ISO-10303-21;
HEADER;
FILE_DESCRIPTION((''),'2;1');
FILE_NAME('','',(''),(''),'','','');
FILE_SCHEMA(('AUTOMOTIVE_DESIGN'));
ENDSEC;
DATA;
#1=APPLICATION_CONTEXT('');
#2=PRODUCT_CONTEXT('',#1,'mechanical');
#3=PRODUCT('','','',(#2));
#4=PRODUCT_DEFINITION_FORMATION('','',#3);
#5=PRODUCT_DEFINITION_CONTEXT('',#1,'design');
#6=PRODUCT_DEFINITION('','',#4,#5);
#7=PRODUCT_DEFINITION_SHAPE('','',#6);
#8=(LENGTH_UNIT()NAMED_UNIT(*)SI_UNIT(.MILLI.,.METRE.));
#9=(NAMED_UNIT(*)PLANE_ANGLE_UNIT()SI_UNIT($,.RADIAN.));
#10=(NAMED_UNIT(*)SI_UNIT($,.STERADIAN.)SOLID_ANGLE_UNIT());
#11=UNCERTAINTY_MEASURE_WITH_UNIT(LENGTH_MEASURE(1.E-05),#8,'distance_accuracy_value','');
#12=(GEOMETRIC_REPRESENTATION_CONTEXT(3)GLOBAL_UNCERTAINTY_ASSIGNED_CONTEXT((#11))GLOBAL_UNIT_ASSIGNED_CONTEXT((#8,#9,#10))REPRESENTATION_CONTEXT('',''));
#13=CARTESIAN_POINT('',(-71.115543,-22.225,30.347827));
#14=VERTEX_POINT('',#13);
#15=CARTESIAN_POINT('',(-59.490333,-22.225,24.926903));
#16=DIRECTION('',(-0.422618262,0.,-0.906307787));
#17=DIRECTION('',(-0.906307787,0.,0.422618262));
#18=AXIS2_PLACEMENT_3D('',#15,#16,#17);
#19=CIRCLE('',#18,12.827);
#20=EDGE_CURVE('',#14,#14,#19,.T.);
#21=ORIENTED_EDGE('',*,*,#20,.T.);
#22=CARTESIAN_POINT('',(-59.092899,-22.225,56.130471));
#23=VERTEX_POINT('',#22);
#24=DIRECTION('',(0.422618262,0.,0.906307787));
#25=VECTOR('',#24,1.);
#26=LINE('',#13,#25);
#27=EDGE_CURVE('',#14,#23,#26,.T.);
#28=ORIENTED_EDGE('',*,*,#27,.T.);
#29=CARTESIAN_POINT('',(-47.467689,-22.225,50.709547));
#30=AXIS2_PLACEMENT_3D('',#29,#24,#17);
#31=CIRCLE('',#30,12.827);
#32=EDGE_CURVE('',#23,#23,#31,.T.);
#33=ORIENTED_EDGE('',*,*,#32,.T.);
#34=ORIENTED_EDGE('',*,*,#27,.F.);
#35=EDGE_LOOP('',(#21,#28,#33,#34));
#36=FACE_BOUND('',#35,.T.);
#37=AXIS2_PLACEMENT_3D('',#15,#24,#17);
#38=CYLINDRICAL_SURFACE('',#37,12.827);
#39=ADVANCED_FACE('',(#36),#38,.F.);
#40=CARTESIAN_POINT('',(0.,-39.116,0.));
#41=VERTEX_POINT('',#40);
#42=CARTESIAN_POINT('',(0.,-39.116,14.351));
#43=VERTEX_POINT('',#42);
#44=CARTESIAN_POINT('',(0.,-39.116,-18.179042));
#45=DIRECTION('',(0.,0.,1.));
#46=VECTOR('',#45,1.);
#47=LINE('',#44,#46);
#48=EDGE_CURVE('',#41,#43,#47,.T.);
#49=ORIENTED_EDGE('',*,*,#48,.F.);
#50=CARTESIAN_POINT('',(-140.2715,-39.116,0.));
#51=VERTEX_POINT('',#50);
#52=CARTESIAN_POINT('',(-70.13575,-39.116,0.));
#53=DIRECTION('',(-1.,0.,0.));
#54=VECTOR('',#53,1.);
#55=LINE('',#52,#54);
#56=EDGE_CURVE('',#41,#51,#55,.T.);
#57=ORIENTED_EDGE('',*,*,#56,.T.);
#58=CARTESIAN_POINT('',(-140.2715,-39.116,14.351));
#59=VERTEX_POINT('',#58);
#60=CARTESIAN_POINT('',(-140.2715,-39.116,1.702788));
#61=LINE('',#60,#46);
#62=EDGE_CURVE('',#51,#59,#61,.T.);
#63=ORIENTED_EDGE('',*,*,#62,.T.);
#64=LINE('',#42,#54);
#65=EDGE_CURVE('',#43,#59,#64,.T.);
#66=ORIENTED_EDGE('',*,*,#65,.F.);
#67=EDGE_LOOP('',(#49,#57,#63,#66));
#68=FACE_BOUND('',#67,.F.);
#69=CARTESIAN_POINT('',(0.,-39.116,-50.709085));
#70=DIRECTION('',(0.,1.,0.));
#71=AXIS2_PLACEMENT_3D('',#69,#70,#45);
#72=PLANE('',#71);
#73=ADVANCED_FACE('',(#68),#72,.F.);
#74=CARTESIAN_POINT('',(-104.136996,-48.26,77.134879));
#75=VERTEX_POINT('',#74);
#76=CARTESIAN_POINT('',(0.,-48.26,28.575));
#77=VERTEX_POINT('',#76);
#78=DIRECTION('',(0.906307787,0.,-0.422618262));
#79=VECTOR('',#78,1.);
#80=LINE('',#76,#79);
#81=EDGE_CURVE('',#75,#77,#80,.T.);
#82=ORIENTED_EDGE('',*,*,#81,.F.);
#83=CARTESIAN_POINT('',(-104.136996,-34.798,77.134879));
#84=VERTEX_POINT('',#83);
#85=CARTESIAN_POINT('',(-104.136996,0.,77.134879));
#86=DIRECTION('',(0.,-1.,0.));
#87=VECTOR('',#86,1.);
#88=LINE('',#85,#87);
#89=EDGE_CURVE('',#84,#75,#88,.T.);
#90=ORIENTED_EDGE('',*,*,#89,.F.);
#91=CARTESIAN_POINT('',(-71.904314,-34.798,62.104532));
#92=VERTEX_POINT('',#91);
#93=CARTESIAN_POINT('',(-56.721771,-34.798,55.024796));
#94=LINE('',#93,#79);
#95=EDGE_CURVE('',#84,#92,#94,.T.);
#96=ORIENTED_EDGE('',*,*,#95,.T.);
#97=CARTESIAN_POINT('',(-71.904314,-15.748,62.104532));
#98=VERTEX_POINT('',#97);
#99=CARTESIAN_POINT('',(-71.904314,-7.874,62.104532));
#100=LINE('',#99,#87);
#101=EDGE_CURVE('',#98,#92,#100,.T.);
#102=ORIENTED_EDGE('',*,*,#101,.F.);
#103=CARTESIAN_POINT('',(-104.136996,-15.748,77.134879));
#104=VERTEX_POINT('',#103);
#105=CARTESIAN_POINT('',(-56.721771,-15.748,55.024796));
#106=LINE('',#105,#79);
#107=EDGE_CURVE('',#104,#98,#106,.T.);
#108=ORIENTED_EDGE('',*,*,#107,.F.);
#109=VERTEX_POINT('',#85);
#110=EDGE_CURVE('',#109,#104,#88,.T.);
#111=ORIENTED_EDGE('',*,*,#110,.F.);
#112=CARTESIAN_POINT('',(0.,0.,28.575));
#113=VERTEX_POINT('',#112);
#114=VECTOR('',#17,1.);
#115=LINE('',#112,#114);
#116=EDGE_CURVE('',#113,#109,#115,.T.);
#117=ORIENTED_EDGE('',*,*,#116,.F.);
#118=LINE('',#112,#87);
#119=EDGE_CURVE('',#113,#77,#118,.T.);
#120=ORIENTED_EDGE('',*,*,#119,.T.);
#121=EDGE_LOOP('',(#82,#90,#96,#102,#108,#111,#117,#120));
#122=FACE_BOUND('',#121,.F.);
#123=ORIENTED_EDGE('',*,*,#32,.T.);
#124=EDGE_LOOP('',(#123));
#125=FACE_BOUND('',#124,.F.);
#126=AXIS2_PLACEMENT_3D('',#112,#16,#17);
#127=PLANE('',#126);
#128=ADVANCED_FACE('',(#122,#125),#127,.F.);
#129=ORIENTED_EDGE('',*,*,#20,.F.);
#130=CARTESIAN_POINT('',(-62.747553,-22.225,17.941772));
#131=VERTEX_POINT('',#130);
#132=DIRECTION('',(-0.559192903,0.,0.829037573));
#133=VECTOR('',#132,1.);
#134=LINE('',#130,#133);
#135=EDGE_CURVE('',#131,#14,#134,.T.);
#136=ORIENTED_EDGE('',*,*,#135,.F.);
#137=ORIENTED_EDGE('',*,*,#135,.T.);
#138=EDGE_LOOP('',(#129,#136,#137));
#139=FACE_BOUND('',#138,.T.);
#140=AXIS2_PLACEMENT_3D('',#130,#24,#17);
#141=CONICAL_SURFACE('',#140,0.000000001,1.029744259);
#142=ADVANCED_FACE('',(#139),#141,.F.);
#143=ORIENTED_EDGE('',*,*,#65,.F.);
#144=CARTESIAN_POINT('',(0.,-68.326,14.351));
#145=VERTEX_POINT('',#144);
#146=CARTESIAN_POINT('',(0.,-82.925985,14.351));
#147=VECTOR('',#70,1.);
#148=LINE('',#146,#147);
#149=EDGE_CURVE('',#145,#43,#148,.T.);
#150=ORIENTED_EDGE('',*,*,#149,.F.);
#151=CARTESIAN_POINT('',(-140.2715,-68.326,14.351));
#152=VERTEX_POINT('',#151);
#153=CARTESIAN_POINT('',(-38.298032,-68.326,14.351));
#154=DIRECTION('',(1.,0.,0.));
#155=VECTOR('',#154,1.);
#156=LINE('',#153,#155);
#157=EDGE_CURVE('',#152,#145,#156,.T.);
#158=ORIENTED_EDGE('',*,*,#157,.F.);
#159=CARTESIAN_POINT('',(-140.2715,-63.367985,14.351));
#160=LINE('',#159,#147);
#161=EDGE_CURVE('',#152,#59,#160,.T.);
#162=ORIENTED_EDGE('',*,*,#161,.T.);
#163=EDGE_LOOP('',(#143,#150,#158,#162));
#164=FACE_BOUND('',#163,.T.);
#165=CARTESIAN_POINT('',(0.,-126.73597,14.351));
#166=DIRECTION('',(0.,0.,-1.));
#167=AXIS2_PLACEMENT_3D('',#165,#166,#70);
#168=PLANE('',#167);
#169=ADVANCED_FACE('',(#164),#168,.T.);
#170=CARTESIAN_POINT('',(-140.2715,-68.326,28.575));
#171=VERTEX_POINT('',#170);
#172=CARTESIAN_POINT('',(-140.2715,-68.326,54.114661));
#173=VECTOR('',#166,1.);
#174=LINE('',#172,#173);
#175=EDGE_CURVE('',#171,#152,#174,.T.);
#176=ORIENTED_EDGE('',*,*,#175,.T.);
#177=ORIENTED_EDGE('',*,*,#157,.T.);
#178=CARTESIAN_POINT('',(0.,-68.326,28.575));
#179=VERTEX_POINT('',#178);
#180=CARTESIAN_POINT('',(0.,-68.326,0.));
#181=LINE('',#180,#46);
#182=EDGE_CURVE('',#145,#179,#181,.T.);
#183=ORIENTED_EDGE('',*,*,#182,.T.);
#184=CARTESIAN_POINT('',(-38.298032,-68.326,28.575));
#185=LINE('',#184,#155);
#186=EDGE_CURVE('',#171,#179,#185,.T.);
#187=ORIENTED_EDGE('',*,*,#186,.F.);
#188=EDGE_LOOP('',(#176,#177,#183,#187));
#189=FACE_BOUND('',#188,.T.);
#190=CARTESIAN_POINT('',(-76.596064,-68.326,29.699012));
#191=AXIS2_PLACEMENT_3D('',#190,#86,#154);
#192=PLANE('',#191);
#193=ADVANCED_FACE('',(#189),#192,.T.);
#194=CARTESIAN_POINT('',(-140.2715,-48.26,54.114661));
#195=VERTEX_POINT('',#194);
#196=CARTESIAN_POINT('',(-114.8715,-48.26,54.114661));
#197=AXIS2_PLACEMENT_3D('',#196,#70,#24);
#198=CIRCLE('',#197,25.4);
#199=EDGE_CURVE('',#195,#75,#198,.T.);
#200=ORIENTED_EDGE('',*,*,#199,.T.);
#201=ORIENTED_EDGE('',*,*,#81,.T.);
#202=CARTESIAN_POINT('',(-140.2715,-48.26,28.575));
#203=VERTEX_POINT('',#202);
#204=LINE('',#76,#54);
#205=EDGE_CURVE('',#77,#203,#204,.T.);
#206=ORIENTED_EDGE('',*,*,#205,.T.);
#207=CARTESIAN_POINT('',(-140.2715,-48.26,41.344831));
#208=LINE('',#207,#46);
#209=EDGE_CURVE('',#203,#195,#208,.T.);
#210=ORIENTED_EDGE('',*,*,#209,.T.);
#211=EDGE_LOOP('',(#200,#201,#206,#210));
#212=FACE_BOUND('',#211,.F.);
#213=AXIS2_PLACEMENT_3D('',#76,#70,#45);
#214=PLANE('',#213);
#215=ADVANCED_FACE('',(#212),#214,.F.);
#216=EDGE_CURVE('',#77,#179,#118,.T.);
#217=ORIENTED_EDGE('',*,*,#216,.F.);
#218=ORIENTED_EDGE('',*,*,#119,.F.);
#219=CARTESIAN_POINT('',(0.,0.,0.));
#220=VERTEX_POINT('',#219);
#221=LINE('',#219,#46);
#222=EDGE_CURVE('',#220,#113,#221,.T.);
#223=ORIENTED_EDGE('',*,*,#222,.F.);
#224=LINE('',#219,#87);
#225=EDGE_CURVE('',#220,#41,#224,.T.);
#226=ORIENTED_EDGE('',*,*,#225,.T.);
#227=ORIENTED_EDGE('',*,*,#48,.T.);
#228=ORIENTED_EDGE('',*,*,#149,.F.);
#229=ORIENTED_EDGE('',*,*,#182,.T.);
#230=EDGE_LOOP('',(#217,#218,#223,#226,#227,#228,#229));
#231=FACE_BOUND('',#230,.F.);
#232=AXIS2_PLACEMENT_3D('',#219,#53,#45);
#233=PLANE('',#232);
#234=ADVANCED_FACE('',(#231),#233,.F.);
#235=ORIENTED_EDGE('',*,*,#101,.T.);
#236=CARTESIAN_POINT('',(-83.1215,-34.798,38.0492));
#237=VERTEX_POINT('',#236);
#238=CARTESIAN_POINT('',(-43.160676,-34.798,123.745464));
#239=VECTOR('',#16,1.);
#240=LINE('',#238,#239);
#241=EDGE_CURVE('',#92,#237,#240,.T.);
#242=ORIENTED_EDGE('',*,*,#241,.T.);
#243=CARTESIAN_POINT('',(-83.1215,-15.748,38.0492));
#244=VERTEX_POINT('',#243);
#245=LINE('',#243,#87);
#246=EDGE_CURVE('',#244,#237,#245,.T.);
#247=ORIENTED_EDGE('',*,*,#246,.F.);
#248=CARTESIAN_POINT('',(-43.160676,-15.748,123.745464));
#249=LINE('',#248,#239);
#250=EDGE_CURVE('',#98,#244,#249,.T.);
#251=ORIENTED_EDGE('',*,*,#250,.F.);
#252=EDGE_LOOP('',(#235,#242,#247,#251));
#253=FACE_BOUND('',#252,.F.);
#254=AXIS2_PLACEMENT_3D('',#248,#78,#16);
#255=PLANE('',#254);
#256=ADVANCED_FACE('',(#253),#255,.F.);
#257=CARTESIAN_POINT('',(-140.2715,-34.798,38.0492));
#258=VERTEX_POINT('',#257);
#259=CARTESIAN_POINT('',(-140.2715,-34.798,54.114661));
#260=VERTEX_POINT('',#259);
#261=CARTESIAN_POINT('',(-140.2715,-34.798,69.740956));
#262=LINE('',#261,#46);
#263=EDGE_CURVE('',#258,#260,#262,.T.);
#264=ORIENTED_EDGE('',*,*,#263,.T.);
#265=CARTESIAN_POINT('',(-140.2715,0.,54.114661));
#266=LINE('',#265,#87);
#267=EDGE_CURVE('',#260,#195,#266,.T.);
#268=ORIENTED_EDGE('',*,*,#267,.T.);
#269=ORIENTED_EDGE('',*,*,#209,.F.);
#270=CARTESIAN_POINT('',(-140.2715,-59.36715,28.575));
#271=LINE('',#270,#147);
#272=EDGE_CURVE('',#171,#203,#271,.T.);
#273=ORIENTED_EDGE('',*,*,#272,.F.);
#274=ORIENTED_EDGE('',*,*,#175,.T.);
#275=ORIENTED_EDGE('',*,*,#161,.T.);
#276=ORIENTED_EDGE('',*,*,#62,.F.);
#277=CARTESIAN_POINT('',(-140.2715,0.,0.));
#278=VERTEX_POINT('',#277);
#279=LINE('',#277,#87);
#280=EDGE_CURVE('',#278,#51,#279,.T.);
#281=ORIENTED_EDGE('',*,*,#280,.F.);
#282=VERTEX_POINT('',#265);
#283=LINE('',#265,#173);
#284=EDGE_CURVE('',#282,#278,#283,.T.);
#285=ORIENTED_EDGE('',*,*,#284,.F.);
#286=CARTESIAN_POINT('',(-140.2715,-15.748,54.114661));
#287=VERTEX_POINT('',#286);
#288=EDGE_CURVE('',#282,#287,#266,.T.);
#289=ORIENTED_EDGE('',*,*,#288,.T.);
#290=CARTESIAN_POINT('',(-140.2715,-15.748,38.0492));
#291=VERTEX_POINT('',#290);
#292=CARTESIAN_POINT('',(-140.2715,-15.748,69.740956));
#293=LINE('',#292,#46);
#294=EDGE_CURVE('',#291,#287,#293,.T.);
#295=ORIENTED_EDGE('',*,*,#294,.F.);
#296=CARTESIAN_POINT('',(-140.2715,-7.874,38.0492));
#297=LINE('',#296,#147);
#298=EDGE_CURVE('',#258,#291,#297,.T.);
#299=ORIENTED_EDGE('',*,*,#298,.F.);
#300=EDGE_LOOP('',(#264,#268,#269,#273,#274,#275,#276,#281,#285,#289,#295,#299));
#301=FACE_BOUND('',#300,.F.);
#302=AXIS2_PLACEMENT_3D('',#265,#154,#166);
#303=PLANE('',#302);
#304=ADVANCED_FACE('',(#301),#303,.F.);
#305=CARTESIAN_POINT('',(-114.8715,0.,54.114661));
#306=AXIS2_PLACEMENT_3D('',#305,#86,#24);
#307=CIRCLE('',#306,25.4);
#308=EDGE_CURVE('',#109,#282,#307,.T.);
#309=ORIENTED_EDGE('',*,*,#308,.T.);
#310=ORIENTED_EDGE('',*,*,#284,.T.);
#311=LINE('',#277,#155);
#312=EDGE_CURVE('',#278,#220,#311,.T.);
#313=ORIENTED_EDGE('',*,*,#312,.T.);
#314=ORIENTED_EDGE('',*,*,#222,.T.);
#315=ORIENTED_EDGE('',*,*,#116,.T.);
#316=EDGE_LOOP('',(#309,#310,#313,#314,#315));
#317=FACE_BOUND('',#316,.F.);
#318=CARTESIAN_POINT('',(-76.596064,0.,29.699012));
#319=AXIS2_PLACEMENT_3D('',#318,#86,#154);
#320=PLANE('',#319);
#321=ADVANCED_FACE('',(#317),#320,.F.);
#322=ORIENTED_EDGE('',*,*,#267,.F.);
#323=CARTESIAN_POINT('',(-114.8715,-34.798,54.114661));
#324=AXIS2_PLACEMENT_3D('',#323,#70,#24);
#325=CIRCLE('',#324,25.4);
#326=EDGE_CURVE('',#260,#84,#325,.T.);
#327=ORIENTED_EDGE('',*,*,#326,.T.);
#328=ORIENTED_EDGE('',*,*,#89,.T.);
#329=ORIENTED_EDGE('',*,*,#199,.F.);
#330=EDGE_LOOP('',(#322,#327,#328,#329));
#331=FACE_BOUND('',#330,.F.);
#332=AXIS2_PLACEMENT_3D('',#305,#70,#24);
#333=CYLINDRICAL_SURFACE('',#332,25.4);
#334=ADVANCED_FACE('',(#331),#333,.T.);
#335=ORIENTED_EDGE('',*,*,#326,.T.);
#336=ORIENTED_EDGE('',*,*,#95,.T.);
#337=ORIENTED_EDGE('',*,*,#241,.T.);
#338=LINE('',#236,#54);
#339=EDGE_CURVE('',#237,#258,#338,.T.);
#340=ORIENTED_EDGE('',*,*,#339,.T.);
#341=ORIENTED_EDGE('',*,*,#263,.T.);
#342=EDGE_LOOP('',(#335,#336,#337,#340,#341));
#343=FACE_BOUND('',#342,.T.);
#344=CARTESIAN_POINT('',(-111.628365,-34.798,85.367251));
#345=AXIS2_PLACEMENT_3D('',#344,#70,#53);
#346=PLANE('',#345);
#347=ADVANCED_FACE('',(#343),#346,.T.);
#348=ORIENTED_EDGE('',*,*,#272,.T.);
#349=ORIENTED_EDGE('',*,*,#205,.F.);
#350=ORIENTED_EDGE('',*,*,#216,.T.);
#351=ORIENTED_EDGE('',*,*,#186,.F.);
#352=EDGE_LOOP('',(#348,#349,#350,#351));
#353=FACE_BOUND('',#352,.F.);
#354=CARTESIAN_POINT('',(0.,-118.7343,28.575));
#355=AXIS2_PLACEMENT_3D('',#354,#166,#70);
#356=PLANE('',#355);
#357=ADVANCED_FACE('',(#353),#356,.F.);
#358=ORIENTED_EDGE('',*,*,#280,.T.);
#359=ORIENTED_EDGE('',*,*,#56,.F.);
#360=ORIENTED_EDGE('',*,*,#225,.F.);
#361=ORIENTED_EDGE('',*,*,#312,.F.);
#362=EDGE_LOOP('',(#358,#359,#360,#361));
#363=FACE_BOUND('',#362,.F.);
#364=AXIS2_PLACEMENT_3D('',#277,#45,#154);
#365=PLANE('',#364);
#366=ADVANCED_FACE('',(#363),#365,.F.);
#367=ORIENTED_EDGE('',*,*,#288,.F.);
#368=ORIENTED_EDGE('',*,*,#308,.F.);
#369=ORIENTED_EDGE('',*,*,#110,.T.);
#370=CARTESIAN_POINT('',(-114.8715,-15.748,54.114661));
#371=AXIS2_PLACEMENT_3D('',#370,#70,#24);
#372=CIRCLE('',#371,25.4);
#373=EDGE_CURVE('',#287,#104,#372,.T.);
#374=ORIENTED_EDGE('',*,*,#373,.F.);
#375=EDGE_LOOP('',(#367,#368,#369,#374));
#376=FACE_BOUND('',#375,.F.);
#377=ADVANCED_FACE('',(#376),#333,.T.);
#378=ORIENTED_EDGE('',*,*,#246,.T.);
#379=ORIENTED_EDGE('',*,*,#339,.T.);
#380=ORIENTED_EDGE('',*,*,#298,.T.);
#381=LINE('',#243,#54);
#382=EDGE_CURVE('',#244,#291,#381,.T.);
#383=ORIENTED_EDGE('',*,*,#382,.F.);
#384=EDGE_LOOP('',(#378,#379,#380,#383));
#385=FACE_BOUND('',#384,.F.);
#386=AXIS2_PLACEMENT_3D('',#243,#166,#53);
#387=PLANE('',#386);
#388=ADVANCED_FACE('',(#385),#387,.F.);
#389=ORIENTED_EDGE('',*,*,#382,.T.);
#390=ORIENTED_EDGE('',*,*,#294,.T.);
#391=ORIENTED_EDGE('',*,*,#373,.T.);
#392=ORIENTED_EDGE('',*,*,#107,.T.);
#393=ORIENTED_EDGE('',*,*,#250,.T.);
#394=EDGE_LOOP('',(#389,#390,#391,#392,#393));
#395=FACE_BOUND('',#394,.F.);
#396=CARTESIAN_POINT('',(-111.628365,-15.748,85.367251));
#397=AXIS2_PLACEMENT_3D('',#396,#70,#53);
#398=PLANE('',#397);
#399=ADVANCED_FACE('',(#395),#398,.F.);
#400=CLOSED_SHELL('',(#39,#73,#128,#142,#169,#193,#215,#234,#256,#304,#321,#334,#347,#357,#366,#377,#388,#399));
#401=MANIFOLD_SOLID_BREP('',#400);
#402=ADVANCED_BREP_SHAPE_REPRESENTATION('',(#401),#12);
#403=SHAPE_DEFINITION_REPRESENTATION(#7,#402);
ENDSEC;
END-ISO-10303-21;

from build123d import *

# Parameters (mm, degrees)
F1_DEPTH = 68.326
F2_W     = 87.6199703779
F2_H     = 65.060084963
F2_W_2   = 70.4743001366
F2_H_2   = 87.6017467856
F3_DEPTH = 140.2725
F9_DEPTH = 19.05


with BuildPart() as f1:
    # F0 (on Front) → F1 (new body)
    with BuildSketch(Plane.XZ):
        with BuildLine():
            Line((-140.2715, 0), (0, 0))
            Line((0, 0), (0, 28.575))
            Line((0, 28.575), (-104.1369961518, 77.1348788028))
            ThreePointArc((-104.1369961518, 77.1348788028), (-128.518910052, 75.5368037358), (-140.2715, 54.1146610121))
            Line((-140.2715, 54.1146610121), (-140.2715, 0))
        make_face()
    extrude(amount=F1_DEPTH)

    # F2 (on Right) → F3 (cut, through all)
    with BuildSketch(Plane.YZ):
        with Locations((-82.925985189, -18.1790424815)):
            Rectangle(F2_W, F2_H)
        with Locations((-83.4971500683, 72.3758733928)):
            Rectangle(F2_W_2, F2_H_2)
    extrude(amount=-F3_DEPTH, mode=Mode.SUBTRACT)

    # F5 (on offset) → F6 (revolve, cut)
    with BuildSketch(Plane(origin=(0, -22.225, 0), x_dir=(-1, 0, 0), z_dir=(0, 1, 0))):
        Polygon((71.1155433788, 30.3478274527), (50.8693131181, 73.7660083611), (39.2441031338, 68.3450839177), (62.7475534112, 17.9417721419), align=None)
    revolve(axis=Axis((-50.9958282725, -22.225, 43.1434280298), (-0.4226182617, 0, -0.906307787)), mode=Mode.SUBTRACT)

    # F8 (on offset) → F9 (cut)
    with BuildSketch(Plane(origin=(0, -15.748, 0), x_dir=(-1, 0, 0), z_dir=(0, 1, 0))):
        Polygon((164.5451933146, 38.0492), (164.5451933146, 123.7454637885), (43.1606759201, 123.7454637885), (83.1215, 38.0492), align=None)
    extrude(amount=-F9_DEPTH, mode=Mode.SUBTRACT)


solid = f1.part
